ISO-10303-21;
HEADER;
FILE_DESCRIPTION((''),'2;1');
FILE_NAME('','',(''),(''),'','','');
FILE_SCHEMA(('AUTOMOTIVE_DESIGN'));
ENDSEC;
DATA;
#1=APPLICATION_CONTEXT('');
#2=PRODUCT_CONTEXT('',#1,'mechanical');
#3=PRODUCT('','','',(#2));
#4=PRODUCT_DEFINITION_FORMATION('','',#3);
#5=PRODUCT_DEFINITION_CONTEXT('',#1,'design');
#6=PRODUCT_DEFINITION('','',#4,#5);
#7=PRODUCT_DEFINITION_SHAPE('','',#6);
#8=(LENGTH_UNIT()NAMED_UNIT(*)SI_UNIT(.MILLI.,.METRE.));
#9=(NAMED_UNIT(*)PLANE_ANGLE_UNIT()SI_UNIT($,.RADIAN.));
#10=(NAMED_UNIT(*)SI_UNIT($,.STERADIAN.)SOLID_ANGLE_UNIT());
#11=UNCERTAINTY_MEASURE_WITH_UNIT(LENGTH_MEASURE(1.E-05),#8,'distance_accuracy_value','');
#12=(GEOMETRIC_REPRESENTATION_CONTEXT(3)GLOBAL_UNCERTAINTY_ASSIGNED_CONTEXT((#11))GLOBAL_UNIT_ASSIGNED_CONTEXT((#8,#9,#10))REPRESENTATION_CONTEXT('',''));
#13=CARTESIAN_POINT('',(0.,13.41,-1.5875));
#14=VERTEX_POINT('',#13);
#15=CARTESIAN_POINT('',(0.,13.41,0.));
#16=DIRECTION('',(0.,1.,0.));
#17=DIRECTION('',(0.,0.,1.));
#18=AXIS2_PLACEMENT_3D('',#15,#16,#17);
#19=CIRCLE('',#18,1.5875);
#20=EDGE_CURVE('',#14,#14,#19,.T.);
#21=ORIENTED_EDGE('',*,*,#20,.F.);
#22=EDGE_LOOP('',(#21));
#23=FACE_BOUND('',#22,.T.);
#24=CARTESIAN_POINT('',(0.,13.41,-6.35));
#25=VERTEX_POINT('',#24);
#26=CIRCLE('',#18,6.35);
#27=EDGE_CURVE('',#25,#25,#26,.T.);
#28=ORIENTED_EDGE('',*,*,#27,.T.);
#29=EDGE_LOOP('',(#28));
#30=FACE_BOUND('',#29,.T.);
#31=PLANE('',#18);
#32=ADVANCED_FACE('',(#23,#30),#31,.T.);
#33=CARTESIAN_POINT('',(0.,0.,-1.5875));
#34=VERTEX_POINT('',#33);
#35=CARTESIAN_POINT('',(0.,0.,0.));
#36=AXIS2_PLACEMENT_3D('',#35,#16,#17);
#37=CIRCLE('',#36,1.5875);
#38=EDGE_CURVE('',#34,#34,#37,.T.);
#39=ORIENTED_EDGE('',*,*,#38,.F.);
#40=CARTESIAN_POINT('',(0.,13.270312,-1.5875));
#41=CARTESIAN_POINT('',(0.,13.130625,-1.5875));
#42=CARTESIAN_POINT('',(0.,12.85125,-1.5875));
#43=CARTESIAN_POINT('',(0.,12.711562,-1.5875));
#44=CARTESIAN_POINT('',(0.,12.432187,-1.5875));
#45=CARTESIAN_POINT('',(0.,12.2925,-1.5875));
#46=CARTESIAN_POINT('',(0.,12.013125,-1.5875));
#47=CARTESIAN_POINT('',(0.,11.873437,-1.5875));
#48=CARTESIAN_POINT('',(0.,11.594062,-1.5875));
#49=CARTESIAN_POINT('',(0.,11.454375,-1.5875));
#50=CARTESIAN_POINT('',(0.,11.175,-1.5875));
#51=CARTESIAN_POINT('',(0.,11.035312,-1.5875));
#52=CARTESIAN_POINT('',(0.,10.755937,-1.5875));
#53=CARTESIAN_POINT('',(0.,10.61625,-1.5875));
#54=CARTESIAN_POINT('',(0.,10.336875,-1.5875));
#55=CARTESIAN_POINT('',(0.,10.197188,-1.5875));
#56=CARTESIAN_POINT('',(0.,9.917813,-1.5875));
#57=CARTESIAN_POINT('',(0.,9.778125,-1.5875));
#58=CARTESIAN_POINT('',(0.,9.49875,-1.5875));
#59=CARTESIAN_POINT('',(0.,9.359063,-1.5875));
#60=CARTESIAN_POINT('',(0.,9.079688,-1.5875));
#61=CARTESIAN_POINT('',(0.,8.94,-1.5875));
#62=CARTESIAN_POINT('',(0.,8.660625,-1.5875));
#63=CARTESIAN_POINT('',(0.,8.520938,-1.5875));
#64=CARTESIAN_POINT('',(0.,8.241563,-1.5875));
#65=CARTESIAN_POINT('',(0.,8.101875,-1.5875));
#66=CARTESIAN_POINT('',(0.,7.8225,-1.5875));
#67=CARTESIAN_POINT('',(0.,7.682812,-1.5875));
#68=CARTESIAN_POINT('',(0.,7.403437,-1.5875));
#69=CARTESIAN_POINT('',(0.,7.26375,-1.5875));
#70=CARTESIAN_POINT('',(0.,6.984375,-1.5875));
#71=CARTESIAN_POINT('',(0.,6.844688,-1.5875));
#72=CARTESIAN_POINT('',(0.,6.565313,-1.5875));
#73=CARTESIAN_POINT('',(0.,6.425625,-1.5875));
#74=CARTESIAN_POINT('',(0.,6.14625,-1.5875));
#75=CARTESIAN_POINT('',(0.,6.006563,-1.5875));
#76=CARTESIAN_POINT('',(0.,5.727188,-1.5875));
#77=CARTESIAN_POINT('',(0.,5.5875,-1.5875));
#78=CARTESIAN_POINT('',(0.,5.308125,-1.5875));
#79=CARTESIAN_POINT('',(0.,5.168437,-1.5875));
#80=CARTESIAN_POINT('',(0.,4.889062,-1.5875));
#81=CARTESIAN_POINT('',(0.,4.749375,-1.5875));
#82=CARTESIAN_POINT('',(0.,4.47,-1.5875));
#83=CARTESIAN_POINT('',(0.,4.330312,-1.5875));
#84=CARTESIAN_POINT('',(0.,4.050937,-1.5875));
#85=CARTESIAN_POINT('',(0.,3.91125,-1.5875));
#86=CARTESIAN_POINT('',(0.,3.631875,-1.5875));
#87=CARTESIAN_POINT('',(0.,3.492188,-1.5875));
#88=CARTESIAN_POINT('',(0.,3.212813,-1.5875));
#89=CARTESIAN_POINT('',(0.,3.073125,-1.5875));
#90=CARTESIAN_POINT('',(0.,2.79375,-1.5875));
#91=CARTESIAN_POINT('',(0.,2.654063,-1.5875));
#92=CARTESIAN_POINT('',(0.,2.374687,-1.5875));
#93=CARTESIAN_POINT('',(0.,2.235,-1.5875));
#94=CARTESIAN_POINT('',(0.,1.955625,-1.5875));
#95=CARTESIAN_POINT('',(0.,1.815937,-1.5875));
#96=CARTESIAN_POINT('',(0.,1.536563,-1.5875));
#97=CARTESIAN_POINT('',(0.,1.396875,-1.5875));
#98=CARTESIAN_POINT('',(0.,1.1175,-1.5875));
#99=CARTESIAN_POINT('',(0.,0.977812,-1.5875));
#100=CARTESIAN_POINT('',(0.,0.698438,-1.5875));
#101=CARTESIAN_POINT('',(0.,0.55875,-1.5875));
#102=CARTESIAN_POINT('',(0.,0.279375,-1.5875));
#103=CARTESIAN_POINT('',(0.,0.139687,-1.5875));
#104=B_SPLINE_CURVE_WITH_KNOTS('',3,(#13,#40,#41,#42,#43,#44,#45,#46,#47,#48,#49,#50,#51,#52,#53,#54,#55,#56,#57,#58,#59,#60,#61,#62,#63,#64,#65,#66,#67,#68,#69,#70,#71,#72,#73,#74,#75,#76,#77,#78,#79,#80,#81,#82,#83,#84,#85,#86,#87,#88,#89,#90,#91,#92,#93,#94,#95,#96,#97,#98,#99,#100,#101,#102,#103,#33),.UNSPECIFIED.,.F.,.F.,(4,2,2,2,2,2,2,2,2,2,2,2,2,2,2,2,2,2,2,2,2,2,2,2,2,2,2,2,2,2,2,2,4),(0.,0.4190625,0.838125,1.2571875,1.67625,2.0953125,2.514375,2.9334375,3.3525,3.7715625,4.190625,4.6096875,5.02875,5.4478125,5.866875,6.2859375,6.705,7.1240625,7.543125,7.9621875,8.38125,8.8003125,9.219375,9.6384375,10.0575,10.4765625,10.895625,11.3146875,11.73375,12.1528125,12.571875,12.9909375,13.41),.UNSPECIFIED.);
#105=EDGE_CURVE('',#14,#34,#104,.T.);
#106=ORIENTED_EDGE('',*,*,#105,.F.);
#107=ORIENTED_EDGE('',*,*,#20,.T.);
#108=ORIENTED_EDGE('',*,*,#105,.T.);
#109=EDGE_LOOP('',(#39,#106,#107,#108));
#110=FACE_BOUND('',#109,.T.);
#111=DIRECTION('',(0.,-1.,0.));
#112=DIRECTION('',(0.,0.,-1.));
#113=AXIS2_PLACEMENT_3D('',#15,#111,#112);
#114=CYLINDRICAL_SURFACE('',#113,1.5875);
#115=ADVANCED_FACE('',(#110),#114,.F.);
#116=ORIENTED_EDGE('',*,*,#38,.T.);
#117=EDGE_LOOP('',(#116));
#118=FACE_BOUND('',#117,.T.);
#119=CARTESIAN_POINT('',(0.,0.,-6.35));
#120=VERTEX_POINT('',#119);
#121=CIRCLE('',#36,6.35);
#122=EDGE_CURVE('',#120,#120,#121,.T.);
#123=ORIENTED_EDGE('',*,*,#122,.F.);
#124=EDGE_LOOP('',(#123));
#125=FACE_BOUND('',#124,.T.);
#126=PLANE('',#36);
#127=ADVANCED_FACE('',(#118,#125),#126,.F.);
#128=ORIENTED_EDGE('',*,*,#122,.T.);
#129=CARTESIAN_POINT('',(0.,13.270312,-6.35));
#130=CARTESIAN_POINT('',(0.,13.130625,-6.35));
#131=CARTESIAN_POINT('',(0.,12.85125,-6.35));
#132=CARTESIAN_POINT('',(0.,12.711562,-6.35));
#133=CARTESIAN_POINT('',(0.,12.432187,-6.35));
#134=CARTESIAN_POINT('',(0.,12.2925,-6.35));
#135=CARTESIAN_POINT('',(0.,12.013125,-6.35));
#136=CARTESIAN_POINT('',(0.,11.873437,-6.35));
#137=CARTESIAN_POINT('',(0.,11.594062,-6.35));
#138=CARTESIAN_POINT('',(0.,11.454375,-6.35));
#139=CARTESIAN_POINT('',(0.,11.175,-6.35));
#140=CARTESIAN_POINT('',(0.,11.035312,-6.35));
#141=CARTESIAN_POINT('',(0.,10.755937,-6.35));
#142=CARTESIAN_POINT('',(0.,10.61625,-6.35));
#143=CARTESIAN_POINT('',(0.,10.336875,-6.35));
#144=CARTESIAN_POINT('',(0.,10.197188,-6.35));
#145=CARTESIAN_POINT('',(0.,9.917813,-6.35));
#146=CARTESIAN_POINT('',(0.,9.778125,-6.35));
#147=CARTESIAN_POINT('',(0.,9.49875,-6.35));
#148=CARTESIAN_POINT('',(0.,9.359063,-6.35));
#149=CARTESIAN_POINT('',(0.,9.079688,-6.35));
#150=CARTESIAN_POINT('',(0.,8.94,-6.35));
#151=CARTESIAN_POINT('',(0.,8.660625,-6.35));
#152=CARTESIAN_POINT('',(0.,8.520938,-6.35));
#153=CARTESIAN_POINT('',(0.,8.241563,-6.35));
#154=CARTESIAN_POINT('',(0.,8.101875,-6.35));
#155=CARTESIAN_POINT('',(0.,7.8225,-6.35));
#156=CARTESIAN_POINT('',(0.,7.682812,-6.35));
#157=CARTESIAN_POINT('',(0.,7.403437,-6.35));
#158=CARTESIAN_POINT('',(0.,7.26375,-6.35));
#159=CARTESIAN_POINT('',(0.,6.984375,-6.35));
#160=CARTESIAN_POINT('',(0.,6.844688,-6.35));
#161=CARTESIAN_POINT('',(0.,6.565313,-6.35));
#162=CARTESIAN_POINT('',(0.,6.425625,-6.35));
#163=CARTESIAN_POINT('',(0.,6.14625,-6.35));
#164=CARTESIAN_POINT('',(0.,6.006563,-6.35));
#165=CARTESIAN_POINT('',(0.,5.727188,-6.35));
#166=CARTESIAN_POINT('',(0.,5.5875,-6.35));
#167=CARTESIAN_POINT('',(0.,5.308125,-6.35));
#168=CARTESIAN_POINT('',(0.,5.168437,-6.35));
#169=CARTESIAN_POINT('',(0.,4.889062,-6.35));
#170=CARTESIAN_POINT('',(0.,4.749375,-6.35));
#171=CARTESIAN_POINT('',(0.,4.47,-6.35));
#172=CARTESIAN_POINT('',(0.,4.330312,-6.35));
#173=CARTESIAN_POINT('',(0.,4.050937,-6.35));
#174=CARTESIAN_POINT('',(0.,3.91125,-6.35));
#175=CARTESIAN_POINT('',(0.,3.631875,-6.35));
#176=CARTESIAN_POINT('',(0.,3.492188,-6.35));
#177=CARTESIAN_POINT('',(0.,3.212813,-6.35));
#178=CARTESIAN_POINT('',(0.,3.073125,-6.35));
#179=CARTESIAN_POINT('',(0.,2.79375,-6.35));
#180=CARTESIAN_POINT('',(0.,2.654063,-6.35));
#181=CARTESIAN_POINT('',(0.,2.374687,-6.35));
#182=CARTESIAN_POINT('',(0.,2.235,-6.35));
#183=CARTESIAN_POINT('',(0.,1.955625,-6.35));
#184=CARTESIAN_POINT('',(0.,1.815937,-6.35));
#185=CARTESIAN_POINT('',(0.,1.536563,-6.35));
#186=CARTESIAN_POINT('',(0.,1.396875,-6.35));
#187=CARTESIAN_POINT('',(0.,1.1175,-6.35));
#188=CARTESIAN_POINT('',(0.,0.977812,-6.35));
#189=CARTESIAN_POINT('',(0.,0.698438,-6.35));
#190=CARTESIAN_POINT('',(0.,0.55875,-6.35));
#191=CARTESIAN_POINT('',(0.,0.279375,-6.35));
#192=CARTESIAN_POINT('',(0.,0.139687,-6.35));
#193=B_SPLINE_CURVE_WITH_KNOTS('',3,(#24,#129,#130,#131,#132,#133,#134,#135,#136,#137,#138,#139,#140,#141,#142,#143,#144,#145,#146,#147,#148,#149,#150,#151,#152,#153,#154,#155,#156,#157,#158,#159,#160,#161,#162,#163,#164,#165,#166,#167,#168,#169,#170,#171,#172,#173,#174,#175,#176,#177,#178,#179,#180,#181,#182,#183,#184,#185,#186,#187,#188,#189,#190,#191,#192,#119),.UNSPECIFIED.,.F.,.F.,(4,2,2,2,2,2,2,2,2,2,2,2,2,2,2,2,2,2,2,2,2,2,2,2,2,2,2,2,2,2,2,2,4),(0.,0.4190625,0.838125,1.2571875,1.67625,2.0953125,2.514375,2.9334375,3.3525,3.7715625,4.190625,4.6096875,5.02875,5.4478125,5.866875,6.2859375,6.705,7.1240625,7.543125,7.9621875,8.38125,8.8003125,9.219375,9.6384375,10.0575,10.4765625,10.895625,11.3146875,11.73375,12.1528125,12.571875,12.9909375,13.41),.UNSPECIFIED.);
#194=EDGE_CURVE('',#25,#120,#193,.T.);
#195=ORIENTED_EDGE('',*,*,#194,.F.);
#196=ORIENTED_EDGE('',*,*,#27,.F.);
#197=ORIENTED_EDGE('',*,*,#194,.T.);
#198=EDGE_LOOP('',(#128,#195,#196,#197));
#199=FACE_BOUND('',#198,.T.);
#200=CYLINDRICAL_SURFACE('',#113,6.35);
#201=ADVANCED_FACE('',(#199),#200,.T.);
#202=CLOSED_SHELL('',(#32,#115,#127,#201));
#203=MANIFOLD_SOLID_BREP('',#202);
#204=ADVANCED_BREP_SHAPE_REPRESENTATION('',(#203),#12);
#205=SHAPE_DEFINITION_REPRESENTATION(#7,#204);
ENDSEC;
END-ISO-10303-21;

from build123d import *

# Parameters (mm, degrees)
SKETCH1_R           = 6.35
SKETCH1_R_2         = 1.5875
BOSS_EXTRUDE1_DEPTH = 13.41


with BuildPart() as part:
    # Sketch1 → Boss-Extrude1 (new body)
    with BuildSketch(Plane(origin=(0, 0, 0), x_dir=(1, 0, 0), z_dir=(0, 1, 0))):
        with Locations(Location((0, 0, 0), (0, 0, 90))):
            Circle(SKETCH1_R)
        with Locations(Location((0, 0, 0), (0, 0, 90))):
            Circle(SKETCH1_R_2, mode=Mode.SUBTRACT)
    extrude(amount=BOSS_EXTRUDE1_DEPTH)


solid = part.part
